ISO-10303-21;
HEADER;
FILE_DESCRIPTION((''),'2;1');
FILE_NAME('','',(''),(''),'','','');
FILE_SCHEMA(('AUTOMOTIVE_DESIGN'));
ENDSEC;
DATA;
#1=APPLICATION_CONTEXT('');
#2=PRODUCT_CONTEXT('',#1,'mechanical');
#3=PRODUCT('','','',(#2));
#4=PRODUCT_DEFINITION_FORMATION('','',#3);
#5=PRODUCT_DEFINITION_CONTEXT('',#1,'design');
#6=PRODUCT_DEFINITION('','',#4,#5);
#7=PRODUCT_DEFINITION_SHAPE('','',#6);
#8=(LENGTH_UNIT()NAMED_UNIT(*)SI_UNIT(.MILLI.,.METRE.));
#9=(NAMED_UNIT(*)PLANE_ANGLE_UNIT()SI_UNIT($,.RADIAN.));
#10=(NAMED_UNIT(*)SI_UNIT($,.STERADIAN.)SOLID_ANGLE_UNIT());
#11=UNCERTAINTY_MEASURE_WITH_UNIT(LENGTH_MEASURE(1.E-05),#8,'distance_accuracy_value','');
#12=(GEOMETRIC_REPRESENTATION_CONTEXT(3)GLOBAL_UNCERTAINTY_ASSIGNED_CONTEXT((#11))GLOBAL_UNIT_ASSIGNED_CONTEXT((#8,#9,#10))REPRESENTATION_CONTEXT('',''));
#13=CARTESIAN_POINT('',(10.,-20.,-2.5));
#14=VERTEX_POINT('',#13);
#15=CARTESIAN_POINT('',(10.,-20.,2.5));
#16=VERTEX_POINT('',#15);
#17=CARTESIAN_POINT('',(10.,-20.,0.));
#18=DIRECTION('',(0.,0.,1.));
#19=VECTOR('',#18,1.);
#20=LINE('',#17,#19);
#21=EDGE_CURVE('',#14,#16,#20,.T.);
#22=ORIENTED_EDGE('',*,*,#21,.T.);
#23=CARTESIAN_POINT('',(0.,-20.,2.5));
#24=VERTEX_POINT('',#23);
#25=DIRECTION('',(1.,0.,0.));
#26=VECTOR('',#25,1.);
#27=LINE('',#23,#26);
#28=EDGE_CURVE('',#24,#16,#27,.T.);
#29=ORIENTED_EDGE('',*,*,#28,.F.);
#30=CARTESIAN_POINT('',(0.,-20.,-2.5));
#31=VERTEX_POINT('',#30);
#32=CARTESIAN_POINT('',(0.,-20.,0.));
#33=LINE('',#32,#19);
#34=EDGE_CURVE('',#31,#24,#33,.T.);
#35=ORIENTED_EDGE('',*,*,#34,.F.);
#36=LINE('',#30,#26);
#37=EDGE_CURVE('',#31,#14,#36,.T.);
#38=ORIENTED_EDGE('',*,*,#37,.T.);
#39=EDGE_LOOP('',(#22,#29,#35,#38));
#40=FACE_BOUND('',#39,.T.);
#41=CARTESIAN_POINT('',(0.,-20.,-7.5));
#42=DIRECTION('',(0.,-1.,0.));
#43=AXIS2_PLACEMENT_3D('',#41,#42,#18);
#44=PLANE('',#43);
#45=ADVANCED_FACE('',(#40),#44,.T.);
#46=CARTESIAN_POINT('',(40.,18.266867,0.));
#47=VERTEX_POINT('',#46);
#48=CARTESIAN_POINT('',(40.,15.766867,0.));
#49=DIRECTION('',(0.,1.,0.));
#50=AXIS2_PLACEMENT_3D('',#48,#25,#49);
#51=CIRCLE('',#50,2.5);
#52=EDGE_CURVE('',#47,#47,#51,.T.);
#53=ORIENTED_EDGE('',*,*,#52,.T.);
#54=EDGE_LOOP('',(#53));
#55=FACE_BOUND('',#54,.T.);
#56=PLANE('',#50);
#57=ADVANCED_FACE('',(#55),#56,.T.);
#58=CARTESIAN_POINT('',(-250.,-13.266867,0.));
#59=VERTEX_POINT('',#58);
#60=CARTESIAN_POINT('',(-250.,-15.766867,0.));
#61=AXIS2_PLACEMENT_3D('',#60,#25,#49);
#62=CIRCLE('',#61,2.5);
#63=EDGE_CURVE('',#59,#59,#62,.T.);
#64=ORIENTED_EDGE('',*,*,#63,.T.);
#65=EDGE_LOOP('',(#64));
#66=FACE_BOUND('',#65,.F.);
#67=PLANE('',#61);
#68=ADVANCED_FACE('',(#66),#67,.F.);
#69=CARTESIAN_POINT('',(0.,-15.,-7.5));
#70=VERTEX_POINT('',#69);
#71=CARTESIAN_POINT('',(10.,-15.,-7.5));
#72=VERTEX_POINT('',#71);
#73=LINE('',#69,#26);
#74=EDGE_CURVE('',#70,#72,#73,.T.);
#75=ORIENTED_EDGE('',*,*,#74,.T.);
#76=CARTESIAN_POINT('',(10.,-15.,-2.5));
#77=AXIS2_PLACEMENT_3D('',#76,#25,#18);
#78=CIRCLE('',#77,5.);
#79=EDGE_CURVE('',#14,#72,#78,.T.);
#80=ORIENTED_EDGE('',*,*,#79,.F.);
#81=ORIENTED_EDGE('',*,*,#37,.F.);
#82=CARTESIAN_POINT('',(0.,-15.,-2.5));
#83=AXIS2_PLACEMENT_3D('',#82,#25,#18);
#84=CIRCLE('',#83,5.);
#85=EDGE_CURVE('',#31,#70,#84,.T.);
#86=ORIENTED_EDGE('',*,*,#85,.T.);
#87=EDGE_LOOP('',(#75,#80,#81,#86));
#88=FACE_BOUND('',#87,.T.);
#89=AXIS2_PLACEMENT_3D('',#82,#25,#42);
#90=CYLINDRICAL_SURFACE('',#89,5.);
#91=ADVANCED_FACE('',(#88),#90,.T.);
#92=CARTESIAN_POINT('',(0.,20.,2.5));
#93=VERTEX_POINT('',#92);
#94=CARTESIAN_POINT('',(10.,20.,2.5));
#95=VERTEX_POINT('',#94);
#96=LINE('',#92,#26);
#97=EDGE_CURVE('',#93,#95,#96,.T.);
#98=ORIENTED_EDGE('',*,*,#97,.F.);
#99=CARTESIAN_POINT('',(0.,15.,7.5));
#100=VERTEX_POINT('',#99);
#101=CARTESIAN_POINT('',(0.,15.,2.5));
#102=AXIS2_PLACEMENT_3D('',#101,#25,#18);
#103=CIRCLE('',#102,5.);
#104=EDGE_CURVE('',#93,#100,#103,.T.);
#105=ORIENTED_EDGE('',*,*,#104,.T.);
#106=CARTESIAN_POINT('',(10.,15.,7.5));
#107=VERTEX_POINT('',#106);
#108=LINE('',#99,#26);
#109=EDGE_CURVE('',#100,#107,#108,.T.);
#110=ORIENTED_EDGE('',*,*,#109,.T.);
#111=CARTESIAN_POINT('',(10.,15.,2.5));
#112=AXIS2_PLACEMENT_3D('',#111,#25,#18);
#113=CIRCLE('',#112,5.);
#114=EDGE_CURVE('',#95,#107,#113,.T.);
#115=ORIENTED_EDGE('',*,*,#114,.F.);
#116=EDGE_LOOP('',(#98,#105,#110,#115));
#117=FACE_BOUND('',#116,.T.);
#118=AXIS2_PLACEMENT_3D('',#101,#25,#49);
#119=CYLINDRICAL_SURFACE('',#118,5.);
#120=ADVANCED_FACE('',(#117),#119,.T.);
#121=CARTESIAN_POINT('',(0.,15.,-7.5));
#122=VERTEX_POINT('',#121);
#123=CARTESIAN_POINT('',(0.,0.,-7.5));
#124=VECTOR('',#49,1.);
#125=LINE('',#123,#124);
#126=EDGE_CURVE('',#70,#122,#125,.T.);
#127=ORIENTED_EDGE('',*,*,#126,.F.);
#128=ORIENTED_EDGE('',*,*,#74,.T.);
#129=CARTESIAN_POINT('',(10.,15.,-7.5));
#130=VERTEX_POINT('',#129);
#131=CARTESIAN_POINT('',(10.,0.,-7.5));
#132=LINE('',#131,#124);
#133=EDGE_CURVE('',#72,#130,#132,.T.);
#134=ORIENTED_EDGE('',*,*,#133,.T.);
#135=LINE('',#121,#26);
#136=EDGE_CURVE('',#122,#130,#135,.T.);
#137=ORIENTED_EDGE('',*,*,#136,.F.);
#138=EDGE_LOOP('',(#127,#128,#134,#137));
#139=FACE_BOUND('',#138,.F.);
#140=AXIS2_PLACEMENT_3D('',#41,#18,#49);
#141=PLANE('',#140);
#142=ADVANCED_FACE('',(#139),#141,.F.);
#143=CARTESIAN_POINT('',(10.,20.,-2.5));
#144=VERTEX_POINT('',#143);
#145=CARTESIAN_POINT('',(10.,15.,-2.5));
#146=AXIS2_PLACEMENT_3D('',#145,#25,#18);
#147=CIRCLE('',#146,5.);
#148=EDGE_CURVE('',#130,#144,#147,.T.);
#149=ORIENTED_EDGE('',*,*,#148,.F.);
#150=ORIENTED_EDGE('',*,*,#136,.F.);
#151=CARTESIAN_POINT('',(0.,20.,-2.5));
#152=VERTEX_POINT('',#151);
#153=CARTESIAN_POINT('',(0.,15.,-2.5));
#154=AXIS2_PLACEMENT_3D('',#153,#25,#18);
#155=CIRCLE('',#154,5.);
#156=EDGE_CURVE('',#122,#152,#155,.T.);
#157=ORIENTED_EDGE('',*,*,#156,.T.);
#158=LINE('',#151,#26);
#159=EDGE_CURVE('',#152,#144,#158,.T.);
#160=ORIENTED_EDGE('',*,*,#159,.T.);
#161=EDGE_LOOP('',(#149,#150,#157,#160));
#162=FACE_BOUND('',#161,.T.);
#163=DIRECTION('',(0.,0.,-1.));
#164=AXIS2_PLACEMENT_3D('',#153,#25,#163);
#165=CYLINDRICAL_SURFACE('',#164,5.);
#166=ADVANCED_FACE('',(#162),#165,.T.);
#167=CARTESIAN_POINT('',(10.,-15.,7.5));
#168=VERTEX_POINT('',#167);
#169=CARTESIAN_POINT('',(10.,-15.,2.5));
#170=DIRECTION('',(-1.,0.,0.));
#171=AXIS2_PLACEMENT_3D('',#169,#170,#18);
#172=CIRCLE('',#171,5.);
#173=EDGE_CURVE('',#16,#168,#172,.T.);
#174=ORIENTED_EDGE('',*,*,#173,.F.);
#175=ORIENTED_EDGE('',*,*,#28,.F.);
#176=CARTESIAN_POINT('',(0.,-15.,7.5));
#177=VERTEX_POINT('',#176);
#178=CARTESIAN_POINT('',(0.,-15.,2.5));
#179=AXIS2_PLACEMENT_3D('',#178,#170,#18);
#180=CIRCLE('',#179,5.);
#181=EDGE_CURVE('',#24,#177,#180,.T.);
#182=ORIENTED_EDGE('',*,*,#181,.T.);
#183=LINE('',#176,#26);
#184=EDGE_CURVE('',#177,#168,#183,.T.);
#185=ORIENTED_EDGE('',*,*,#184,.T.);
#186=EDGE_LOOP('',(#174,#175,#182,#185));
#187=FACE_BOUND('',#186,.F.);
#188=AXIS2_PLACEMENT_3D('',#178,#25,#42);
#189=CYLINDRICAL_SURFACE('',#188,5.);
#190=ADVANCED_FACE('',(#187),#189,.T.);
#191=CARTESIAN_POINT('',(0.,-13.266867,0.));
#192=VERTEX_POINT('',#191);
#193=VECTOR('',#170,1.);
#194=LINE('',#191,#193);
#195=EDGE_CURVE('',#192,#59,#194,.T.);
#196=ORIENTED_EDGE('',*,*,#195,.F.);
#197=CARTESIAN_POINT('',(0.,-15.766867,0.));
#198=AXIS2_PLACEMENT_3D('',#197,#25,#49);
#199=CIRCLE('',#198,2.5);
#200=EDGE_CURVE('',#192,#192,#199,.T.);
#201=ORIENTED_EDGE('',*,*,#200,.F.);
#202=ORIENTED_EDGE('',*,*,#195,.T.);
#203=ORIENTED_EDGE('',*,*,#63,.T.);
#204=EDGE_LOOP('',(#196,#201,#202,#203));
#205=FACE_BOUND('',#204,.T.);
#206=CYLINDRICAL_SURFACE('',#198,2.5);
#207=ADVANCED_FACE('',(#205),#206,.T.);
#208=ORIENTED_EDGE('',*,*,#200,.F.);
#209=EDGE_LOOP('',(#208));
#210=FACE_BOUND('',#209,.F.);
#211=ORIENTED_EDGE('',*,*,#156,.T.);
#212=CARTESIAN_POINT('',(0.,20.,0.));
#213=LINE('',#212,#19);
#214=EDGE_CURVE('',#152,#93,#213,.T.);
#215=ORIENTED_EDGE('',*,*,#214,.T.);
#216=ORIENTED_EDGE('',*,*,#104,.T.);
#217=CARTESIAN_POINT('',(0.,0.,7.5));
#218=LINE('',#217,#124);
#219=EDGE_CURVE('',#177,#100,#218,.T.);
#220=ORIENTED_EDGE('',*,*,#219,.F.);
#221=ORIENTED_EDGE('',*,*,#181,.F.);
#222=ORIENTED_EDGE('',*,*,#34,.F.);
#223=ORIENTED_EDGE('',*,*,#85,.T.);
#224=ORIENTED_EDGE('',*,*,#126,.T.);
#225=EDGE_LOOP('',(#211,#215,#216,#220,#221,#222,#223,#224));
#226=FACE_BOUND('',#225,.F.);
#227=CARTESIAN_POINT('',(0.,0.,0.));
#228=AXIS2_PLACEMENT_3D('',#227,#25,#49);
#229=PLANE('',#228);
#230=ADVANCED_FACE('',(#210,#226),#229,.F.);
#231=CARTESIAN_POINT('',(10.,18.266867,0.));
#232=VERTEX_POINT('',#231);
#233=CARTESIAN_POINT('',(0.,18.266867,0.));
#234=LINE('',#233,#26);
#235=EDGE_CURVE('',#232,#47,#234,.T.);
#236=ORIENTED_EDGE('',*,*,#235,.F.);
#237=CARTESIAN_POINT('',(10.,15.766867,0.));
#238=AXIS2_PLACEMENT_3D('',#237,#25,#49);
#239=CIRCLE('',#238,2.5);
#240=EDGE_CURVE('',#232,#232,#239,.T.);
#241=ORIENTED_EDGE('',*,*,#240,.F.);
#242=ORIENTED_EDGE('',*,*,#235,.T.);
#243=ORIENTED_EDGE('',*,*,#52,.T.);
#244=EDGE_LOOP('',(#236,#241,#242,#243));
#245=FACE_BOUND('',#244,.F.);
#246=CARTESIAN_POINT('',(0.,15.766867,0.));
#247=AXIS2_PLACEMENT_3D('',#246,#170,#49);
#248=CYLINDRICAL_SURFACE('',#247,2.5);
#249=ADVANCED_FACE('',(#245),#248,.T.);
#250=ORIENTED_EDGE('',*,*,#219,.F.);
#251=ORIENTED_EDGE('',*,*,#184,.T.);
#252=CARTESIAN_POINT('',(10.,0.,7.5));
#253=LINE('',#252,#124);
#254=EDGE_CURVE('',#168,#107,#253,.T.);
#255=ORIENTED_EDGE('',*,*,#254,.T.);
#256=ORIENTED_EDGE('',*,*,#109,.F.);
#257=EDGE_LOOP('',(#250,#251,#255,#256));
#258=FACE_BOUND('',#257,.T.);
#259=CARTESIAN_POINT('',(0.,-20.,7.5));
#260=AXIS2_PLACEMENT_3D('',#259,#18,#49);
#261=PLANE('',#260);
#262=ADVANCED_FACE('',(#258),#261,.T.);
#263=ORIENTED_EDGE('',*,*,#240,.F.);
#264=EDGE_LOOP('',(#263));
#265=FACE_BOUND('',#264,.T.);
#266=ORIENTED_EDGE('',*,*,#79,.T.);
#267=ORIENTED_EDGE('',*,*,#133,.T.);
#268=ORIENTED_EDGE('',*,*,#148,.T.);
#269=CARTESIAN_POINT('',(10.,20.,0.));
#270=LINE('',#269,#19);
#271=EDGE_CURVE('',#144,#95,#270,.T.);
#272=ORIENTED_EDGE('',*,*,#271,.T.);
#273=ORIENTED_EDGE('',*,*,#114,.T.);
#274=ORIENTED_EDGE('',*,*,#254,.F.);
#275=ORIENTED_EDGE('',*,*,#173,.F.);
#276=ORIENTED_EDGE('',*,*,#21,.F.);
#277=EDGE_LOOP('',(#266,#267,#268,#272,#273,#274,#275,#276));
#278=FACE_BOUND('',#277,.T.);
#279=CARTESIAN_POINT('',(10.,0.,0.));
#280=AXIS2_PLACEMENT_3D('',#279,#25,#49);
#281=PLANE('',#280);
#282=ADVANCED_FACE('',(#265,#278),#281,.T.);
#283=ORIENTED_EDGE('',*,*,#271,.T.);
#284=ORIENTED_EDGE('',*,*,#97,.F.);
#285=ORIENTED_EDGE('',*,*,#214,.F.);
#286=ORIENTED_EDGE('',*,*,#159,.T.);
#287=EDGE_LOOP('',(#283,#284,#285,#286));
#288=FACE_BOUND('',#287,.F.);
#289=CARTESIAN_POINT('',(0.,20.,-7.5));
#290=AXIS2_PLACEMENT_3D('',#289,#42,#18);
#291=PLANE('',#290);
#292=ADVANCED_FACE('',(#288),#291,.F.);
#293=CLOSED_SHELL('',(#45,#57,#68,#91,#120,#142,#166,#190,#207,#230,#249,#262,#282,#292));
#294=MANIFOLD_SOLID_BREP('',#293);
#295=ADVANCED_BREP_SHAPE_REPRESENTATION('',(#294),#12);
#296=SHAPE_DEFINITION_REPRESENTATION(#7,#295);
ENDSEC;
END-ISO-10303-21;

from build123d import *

# Parameters (mm, degrees)
F0_W     = 40
F0_H     = 15
F0_R     = 2.5
F1_DEPTH = 10
F2_R     = 5
F3_DEPTH = 40
F4_DEPTH = 250


with BuildPart() as f1:
    # F0 (on Right) → F1 (new body)
    with BuildSketch(Plane.YZ):
        Rectangle(F0_W, F0_H)
        with Locations((-15.766867, 0)):
            Circle(F0_R, mode=Mode.SUBTRACT)
        with Locations((15.766867, 0)):
            Circle(F0_R, mode=Mode.SUBTRACT)
        with Locations((-15.766867, 0)):
            Circle(F0_R)
    extrude(amount=F1_DEPTH)

    # F2
    f2_edges = [f1.edges().sort_by_distance(p)[0] for p in [
        (5, -20, 7.5),
        (5, 20, 7.5),
        (5, -20, -7.5),
        (5, 20, -7.5),
    ]]
    fillet(f2_edges, radius=F2_R)

    # F0 (on Right) → F3 (join)
    with BuildSketch(Plane.YZ):
        with Locations((15.766867, 0)):
            Circle(F0_R)
    extrude(amount=F3_DEPTH)

    # F0 (on Right) → F4 (join)
    with BuildSketch(Plane.YZ):
        with Locations((-15.766867, 0)):
            Circle(F0_R)
    extrude(amount=-F4_DEPTH)


solid = f1.part
